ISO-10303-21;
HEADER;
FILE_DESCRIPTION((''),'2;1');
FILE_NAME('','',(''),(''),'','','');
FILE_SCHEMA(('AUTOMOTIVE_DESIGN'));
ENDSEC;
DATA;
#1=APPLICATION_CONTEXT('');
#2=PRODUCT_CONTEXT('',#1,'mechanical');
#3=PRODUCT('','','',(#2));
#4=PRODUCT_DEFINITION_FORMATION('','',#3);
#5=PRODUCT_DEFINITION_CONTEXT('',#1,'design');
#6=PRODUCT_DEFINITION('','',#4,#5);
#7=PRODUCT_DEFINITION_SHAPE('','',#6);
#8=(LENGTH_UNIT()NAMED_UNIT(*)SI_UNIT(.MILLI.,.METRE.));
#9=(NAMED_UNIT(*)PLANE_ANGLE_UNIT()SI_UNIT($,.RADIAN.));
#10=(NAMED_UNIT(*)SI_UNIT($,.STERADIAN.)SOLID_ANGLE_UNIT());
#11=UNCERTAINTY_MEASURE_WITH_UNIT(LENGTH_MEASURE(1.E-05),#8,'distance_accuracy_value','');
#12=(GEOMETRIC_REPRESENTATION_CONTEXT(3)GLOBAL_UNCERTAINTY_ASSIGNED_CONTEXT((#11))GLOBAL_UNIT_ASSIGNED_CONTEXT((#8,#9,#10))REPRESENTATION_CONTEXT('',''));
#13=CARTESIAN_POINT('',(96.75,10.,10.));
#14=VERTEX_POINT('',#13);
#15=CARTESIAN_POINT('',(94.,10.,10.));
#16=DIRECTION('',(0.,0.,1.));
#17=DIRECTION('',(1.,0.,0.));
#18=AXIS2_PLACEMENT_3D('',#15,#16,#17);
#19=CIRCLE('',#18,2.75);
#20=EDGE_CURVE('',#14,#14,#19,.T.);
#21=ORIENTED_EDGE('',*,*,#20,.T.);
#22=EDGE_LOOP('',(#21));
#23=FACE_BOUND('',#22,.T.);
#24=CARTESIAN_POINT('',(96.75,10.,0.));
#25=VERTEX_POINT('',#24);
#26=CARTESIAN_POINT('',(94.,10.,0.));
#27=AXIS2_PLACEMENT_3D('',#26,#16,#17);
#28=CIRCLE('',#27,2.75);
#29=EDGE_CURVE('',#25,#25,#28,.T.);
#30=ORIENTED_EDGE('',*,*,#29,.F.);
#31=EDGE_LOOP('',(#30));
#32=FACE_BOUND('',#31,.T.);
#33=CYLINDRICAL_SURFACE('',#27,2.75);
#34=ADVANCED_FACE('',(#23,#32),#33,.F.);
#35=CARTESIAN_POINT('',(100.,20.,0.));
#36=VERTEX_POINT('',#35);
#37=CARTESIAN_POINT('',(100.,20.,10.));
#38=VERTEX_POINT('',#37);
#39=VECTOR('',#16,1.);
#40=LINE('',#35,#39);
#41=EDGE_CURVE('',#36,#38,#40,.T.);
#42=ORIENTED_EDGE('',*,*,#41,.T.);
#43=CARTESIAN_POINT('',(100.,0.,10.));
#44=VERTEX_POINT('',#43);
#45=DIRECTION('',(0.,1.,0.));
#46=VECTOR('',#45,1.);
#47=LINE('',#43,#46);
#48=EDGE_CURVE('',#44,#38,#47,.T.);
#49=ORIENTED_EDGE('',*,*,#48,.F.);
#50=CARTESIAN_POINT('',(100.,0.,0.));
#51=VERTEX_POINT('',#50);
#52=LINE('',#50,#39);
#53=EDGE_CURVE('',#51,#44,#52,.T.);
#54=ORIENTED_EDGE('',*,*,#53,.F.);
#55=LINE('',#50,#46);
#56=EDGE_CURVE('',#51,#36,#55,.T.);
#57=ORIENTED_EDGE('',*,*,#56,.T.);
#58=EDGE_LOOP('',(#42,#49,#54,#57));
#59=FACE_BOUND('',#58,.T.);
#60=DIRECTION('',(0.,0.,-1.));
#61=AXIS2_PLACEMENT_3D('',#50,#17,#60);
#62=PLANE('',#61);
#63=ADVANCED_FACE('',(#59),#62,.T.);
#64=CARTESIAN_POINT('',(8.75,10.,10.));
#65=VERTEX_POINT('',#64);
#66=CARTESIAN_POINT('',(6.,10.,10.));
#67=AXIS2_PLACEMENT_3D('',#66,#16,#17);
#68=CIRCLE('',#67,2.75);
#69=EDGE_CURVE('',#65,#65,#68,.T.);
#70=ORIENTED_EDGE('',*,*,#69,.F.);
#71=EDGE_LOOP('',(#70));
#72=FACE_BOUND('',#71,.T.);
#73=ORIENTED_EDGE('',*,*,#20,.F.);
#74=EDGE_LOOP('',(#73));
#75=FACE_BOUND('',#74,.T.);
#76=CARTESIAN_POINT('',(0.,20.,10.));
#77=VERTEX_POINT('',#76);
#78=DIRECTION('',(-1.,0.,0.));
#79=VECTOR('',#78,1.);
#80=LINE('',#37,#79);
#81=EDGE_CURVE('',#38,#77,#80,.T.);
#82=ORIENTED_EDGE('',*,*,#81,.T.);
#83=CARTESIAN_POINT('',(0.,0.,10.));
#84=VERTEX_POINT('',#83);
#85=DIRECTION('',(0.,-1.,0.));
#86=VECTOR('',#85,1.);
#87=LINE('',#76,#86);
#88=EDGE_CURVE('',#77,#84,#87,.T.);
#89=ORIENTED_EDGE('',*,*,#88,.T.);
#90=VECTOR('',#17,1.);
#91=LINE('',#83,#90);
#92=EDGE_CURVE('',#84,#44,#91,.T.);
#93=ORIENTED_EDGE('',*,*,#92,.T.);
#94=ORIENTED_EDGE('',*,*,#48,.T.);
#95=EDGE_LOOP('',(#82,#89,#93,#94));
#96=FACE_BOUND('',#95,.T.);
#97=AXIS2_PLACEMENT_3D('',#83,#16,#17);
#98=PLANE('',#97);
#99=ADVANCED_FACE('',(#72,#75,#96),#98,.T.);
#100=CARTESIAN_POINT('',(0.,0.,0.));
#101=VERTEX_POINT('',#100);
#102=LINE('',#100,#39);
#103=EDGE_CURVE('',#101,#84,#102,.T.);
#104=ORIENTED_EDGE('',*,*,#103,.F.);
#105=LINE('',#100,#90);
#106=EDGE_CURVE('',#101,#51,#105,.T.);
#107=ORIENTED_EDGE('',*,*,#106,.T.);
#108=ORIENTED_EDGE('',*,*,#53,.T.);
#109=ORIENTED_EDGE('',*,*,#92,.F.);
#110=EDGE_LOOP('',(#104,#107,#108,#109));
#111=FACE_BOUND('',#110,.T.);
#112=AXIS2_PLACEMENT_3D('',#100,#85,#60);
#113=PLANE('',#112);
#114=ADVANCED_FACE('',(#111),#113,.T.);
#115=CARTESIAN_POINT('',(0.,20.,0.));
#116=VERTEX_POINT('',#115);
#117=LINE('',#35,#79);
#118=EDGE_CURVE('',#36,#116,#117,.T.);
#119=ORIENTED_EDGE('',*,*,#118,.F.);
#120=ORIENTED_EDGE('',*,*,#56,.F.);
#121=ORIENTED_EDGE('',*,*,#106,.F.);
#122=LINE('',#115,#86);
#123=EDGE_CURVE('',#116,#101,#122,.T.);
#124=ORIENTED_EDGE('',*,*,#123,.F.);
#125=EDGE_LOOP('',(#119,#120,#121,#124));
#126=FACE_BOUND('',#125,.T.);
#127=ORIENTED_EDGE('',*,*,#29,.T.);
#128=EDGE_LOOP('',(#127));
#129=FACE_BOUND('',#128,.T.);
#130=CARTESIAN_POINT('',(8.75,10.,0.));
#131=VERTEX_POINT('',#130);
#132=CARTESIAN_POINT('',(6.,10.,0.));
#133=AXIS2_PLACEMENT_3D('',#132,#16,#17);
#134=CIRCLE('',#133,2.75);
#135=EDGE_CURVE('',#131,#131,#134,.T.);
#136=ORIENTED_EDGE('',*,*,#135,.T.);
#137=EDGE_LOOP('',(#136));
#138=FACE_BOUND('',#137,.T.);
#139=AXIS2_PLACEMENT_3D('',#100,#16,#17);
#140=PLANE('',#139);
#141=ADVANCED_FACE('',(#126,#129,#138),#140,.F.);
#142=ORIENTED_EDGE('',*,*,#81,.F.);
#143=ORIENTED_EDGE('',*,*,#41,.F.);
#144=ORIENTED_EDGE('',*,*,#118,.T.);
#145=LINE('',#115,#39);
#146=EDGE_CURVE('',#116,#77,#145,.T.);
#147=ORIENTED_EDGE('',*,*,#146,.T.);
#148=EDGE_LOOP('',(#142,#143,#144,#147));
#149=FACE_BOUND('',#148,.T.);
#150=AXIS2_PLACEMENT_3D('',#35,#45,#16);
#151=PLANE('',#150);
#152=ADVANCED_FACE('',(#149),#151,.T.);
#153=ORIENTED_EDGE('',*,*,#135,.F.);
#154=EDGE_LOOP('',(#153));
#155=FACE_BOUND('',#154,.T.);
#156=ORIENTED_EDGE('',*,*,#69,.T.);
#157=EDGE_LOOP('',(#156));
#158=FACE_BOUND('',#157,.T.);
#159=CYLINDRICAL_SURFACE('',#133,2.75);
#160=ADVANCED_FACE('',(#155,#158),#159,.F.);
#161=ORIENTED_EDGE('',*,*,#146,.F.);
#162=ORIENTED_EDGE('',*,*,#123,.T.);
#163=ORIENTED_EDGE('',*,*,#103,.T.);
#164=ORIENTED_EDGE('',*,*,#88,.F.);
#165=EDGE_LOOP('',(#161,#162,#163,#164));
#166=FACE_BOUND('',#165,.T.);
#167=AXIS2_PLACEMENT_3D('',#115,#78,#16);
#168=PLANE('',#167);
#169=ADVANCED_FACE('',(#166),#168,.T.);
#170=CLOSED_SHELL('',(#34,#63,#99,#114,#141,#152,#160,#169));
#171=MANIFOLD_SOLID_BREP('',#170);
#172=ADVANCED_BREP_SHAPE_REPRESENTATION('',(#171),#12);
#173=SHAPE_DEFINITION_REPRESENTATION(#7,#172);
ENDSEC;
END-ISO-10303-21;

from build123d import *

# Parameters (mm, degrees)
SKETCH1_W           = 100
SKETCH1_H           = 20
BOSS_EXTRUDE1_DEPTH = 10
SKETCH2_R           = 2.75
CUT_EXTRUDE1_DEPTH  = 11


with BuildPart() as part:
    # Sketch1 → Boss-Extrude1 (new body)
    with BuildSketch(Plane.XY.offset(10)):
        with Locations((50, 10)):
            Rectangle(SKETCH1_W, SKETCH1_H)
    extrude(amount=-BOSS_EXTRUDE1_DEPTH)

    # Sketch2 → Cut-Extrude1 (cut, through all)
    with BuildSketch(Plane.XY.offset(10)):
        with Locations((94, 10)):
            Circle(SKETCH2_R)
        with Locations((6, 10)):
            Circle(SKETCH2_R)
    extrude(amount=-CUT_EXTRUDE1_DEPTH, mode=Mode.SUBTRACT)


solid = part.part
